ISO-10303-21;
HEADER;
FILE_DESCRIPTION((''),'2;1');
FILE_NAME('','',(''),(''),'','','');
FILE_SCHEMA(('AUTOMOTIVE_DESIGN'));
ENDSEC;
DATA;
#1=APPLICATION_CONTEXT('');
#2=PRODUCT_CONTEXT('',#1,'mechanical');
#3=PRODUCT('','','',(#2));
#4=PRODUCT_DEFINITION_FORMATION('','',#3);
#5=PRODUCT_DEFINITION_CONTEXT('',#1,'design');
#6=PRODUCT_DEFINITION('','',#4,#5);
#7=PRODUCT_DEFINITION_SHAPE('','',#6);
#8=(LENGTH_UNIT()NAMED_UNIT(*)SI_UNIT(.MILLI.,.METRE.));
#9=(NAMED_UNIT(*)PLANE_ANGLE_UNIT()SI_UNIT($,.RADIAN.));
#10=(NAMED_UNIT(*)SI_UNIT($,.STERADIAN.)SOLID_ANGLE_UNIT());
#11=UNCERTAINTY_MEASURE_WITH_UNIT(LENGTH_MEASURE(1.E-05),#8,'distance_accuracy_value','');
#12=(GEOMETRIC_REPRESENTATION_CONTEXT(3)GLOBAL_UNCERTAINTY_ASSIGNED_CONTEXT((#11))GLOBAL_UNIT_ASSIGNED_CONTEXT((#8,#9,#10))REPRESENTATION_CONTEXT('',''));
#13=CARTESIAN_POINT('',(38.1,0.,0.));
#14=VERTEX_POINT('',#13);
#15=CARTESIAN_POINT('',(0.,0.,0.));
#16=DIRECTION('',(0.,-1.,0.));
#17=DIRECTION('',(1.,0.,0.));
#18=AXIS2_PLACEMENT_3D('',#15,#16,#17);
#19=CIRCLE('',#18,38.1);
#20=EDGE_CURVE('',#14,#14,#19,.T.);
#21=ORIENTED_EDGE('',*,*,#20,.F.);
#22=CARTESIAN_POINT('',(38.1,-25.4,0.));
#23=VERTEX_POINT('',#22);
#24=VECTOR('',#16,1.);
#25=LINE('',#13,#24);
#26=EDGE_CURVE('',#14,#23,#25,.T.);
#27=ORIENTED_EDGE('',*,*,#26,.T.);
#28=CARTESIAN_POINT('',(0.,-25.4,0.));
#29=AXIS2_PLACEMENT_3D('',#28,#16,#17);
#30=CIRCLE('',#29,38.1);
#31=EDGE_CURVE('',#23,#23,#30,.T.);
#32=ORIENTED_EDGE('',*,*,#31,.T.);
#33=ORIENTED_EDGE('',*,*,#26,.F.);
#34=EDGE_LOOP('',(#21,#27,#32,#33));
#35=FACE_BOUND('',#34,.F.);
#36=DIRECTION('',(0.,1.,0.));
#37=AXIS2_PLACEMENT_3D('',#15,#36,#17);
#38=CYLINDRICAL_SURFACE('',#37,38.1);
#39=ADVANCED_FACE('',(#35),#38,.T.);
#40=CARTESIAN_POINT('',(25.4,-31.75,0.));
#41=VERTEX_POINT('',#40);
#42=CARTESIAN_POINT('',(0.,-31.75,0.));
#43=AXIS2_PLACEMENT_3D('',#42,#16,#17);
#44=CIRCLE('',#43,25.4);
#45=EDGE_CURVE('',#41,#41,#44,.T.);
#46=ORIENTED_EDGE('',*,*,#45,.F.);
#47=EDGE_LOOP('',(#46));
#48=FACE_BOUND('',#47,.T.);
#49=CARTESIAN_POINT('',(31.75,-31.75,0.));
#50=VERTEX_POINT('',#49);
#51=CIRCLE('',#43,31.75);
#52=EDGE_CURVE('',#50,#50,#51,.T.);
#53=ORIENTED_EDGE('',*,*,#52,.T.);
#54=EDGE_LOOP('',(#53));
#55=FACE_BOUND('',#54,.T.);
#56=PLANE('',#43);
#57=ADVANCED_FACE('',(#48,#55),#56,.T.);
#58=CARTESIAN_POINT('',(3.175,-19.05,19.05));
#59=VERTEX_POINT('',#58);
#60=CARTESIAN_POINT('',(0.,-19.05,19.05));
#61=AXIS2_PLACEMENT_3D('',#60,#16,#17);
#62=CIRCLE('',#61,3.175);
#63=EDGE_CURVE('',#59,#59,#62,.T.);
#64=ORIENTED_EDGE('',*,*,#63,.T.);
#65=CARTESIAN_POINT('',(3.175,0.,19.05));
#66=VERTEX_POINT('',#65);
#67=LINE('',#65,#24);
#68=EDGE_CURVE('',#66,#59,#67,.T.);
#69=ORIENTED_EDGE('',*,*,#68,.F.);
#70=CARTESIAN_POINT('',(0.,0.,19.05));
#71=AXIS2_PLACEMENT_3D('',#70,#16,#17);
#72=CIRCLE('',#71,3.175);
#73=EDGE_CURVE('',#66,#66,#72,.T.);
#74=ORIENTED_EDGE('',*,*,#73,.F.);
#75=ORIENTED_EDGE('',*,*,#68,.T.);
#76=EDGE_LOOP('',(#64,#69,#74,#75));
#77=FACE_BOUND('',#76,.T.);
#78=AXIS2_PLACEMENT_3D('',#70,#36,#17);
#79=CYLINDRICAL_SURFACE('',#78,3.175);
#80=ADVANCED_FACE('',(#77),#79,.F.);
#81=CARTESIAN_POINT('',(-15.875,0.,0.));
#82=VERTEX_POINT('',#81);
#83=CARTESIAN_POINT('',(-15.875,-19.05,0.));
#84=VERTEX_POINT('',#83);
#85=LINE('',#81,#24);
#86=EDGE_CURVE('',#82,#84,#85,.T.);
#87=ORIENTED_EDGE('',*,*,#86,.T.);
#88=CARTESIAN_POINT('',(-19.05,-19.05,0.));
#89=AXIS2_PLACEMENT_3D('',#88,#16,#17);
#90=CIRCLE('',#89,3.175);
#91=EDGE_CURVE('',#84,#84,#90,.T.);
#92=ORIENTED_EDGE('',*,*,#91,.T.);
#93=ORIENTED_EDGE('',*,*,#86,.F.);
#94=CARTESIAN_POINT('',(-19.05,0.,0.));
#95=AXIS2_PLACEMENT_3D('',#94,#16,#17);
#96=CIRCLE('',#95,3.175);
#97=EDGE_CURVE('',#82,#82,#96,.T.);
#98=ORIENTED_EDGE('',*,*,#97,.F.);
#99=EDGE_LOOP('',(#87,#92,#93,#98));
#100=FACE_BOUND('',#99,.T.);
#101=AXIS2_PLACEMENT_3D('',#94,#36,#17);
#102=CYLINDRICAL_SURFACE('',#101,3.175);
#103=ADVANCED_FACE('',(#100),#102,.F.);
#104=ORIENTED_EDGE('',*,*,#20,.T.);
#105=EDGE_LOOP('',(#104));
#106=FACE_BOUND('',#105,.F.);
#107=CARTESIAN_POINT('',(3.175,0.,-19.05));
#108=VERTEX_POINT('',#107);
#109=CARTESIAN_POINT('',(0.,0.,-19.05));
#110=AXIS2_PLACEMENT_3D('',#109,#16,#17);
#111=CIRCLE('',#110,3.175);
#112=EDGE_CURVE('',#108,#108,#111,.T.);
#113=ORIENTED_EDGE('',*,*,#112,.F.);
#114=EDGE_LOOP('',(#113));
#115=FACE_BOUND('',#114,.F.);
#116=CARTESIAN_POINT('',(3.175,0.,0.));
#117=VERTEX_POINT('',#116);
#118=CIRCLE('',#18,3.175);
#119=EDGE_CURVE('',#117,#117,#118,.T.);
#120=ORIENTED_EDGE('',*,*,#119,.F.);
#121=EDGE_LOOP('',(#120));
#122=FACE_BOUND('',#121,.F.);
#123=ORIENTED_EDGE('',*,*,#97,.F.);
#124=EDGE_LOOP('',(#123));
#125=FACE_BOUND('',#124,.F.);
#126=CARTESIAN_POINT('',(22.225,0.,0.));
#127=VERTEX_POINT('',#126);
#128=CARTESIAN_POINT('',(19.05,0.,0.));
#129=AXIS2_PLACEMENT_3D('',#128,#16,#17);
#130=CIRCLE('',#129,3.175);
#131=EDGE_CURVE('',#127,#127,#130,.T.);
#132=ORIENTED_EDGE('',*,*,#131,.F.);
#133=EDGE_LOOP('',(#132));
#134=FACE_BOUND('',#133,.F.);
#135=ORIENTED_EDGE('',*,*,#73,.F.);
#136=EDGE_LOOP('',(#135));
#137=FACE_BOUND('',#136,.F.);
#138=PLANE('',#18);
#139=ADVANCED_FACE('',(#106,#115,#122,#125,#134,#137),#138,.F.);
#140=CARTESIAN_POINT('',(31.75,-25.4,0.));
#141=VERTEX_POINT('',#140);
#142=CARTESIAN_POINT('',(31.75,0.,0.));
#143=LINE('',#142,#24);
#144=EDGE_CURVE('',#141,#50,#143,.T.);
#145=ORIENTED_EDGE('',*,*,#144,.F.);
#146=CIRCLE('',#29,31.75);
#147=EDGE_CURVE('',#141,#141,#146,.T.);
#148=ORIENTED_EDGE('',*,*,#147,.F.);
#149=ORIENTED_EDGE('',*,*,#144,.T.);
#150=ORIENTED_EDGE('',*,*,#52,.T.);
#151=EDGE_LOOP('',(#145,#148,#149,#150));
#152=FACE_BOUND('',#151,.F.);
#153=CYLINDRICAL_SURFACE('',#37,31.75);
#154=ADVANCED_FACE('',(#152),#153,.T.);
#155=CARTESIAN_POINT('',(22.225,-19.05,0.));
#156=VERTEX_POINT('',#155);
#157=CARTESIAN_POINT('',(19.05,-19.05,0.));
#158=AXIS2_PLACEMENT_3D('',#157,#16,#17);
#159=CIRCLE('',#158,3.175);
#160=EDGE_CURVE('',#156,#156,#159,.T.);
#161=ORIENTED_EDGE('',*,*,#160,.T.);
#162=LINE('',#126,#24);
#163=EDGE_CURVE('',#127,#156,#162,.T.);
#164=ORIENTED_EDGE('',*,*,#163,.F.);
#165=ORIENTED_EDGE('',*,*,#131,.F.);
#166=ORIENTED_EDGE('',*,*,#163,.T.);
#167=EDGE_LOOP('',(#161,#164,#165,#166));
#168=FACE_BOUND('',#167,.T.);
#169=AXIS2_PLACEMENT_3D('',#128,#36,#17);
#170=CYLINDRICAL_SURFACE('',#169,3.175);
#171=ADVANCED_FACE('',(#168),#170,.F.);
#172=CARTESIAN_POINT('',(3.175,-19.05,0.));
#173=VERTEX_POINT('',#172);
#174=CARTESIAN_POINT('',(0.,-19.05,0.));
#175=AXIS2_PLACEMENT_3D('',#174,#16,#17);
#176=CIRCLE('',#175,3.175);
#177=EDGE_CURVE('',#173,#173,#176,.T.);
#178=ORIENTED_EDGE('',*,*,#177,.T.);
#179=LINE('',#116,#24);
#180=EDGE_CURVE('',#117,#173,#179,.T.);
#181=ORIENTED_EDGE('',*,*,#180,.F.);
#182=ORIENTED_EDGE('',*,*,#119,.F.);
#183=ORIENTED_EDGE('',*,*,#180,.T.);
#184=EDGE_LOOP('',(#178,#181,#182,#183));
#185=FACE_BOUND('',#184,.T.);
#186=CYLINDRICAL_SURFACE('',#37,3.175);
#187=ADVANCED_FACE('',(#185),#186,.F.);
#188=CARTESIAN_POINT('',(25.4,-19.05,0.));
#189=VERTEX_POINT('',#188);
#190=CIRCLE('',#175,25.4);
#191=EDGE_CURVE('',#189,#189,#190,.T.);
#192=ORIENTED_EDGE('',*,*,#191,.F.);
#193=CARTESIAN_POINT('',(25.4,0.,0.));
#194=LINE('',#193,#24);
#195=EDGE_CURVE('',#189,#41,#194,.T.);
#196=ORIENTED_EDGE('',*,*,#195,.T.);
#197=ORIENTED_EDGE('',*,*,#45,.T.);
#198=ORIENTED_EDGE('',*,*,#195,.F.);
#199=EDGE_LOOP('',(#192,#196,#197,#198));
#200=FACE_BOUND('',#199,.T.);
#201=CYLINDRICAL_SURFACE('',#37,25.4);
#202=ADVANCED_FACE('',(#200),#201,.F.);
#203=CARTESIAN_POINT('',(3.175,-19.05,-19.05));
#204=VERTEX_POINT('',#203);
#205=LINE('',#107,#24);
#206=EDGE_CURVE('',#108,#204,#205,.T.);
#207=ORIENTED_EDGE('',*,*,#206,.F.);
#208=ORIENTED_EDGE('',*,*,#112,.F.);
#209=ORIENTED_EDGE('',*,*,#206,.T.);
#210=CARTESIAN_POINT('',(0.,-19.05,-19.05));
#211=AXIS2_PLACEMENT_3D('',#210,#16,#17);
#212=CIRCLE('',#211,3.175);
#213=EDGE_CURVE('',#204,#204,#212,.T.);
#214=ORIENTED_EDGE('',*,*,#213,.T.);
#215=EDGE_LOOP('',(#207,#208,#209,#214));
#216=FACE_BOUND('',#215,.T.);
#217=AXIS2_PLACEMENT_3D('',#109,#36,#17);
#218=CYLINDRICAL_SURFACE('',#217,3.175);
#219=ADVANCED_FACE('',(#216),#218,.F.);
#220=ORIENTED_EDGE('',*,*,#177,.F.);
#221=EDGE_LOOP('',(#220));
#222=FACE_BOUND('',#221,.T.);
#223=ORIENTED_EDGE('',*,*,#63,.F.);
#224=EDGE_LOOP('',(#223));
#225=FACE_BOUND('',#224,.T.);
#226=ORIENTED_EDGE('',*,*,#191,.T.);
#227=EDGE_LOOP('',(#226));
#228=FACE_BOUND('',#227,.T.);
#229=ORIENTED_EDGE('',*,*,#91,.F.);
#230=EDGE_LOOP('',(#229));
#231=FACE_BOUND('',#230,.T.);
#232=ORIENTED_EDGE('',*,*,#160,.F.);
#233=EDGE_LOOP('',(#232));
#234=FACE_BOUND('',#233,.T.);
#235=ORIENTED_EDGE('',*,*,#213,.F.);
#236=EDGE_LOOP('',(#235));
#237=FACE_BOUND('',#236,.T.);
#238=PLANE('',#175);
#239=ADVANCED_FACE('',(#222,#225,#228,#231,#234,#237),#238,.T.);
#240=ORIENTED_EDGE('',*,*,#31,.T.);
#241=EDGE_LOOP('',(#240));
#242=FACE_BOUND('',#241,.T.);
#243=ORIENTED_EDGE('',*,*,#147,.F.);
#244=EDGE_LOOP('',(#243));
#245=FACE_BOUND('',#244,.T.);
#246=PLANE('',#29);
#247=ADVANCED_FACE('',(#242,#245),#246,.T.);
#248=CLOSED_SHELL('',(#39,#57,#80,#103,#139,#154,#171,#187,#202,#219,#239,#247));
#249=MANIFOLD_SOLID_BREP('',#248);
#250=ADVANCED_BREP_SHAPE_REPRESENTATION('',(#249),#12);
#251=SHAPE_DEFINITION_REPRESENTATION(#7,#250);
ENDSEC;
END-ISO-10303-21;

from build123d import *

# Parameters (mm, degrees)
F0_R     = 38.1
F0_R_2   = 31.75
F1_DEPTH = 25.4
F0_R_3   = 25.4
F2_DEPTH = 31.75
F0_R_4   = 3.175
F3_DEPTH = 19.05


with BuildPart() as f1:
    # F0 (on Front) → F1 (new body)
    with BuildSketch(Plane.XZ):
        Circle(F0_R)
        Circle(F0_R_2, mode=Mode.SUBTRACT)
    extrude(amount=F1_DEPTH)

    # F0 (on Front) → F2 (join)
    with BuildSketch(Plane.XZ):
        Circle(F0_R_2)
        Circle(F0_R_3, mode=Mode.SUBTRACT)
    extrude(amount=F2_DEPTH)

    # F0 (on Front) → F3 (join)
    with BuildSketch(Plane.XZ):
        Circle(F0_R_3)
        with Locations((0, -19.05)):
            Circle(F0_R_4, mode=Mode.SUBTRACT)
        with Locations((-19.05, 0)):
            Circle(F0_R_4, mode=Mode.SUBTRACT)
        Circle(F0_R_4, mode=Mode.SUBTRACT)
        with Locations((19.05, 0)):
            Circle(F0_R_4, mode=Mode.SUBTRACT)
        with Locations((0, 19.05)):
            Circle(F0_R_4, mode=Mode.SUBTRACT)
    extrude(amount=F3_DEPTH)


solid = f1.part
